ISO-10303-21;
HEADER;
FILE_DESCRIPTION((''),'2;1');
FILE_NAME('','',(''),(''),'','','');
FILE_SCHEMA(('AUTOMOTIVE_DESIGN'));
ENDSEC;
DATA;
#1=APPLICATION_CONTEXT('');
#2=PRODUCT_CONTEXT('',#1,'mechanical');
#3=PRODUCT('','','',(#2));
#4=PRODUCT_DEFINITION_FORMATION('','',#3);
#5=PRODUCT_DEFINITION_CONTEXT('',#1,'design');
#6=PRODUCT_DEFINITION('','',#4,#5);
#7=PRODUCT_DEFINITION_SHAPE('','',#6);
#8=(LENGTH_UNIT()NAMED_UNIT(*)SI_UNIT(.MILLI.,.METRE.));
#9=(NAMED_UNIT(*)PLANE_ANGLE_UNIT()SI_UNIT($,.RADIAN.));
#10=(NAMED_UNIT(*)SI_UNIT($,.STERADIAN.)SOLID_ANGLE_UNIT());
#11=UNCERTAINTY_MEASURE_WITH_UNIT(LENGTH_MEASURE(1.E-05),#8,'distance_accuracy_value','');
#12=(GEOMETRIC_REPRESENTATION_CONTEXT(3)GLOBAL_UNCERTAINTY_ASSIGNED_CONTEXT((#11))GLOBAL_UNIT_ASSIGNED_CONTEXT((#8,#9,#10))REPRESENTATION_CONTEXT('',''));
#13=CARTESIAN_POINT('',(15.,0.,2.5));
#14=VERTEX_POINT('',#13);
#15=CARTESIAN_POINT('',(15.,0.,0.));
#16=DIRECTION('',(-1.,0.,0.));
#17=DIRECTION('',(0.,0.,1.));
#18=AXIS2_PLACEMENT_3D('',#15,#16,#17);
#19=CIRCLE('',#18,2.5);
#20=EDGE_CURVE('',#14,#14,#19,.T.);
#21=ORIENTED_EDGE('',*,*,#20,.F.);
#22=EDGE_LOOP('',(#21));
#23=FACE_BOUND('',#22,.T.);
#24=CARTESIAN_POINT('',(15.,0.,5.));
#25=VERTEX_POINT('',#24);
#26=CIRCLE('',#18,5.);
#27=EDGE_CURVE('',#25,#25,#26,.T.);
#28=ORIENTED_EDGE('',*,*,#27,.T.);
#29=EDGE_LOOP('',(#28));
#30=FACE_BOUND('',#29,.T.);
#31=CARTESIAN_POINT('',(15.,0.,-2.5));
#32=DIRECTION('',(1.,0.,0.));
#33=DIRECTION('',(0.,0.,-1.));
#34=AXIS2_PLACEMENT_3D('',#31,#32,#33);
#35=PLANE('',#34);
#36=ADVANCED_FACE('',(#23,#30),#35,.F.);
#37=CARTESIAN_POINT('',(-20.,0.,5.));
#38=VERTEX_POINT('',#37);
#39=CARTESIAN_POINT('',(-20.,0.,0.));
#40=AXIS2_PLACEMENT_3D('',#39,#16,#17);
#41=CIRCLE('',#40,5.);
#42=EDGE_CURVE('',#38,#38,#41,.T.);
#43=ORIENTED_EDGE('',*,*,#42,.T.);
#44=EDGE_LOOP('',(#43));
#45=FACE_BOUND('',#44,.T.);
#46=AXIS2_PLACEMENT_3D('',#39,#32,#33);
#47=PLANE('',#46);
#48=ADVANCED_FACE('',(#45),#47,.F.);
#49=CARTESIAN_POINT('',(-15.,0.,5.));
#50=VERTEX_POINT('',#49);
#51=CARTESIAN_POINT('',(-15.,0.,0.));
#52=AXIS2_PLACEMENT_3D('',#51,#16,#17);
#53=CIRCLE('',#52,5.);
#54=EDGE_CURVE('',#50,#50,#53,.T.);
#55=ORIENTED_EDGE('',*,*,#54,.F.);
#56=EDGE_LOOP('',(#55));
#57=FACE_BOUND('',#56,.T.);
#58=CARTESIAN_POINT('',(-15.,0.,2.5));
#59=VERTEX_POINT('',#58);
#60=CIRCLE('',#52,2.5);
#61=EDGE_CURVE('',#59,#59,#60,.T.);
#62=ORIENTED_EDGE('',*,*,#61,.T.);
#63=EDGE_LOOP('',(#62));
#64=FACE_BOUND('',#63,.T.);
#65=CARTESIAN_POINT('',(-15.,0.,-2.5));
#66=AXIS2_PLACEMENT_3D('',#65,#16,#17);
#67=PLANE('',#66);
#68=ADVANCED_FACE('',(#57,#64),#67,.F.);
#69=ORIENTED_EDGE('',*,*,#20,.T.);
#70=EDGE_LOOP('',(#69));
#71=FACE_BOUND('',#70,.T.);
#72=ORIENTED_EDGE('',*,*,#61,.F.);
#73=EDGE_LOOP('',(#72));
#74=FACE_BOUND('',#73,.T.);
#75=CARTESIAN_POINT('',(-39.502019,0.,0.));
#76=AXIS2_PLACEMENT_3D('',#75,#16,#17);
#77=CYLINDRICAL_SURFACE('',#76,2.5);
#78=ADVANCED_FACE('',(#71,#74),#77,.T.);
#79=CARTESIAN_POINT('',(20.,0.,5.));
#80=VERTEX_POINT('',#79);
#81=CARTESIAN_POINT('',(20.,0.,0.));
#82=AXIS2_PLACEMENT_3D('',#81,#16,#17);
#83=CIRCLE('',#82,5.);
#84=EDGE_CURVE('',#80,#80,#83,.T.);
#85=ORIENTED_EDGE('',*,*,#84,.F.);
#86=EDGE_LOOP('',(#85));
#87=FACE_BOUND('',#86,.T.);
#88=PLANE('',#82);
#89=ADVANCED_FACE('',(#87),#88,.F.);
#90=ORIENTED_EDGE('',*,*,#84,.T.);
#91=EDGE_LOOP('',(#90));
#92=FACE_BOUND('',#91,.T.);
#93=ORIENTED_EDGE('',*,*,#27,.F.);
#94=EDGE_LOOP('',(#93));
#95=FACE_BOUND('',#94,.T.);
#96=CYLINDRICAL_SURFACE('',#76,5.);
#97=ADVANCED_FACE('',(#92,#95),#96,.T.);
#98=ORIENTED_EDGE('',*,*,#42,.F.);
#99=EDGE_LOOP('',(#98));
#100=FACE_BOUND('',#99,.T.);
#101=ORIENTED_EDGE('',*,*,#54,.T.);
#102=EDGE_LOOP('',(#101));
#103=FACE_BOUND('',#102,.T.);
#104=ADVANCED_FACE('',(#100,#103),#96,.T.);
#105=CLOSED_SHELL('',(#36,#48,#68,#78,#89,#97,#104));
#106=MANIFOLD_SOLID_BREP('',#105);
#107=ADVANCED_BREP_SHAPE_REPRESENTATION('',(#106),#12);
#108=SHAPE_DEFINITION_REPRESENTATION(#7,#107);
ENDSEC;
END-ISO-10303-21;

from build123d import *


with BuildPart() as part:
    # Croquis1 → Revolución1 (revolve)
    with BuildSketch(Plane(origin=(0, 0, 0), x_dir=(1, 0, 0), z_dir=(0, 1, 0))):
        Polygon((15, 2.5), (15, 5), (20, 5), (20, 0), (-20, 0), (-20, 5), (-15, 5), (-15, 2.5), align=None)
    revolve(axis=Axis((-39.502018508, 0, 0), (1, 0, 0)))


solid = part.part
